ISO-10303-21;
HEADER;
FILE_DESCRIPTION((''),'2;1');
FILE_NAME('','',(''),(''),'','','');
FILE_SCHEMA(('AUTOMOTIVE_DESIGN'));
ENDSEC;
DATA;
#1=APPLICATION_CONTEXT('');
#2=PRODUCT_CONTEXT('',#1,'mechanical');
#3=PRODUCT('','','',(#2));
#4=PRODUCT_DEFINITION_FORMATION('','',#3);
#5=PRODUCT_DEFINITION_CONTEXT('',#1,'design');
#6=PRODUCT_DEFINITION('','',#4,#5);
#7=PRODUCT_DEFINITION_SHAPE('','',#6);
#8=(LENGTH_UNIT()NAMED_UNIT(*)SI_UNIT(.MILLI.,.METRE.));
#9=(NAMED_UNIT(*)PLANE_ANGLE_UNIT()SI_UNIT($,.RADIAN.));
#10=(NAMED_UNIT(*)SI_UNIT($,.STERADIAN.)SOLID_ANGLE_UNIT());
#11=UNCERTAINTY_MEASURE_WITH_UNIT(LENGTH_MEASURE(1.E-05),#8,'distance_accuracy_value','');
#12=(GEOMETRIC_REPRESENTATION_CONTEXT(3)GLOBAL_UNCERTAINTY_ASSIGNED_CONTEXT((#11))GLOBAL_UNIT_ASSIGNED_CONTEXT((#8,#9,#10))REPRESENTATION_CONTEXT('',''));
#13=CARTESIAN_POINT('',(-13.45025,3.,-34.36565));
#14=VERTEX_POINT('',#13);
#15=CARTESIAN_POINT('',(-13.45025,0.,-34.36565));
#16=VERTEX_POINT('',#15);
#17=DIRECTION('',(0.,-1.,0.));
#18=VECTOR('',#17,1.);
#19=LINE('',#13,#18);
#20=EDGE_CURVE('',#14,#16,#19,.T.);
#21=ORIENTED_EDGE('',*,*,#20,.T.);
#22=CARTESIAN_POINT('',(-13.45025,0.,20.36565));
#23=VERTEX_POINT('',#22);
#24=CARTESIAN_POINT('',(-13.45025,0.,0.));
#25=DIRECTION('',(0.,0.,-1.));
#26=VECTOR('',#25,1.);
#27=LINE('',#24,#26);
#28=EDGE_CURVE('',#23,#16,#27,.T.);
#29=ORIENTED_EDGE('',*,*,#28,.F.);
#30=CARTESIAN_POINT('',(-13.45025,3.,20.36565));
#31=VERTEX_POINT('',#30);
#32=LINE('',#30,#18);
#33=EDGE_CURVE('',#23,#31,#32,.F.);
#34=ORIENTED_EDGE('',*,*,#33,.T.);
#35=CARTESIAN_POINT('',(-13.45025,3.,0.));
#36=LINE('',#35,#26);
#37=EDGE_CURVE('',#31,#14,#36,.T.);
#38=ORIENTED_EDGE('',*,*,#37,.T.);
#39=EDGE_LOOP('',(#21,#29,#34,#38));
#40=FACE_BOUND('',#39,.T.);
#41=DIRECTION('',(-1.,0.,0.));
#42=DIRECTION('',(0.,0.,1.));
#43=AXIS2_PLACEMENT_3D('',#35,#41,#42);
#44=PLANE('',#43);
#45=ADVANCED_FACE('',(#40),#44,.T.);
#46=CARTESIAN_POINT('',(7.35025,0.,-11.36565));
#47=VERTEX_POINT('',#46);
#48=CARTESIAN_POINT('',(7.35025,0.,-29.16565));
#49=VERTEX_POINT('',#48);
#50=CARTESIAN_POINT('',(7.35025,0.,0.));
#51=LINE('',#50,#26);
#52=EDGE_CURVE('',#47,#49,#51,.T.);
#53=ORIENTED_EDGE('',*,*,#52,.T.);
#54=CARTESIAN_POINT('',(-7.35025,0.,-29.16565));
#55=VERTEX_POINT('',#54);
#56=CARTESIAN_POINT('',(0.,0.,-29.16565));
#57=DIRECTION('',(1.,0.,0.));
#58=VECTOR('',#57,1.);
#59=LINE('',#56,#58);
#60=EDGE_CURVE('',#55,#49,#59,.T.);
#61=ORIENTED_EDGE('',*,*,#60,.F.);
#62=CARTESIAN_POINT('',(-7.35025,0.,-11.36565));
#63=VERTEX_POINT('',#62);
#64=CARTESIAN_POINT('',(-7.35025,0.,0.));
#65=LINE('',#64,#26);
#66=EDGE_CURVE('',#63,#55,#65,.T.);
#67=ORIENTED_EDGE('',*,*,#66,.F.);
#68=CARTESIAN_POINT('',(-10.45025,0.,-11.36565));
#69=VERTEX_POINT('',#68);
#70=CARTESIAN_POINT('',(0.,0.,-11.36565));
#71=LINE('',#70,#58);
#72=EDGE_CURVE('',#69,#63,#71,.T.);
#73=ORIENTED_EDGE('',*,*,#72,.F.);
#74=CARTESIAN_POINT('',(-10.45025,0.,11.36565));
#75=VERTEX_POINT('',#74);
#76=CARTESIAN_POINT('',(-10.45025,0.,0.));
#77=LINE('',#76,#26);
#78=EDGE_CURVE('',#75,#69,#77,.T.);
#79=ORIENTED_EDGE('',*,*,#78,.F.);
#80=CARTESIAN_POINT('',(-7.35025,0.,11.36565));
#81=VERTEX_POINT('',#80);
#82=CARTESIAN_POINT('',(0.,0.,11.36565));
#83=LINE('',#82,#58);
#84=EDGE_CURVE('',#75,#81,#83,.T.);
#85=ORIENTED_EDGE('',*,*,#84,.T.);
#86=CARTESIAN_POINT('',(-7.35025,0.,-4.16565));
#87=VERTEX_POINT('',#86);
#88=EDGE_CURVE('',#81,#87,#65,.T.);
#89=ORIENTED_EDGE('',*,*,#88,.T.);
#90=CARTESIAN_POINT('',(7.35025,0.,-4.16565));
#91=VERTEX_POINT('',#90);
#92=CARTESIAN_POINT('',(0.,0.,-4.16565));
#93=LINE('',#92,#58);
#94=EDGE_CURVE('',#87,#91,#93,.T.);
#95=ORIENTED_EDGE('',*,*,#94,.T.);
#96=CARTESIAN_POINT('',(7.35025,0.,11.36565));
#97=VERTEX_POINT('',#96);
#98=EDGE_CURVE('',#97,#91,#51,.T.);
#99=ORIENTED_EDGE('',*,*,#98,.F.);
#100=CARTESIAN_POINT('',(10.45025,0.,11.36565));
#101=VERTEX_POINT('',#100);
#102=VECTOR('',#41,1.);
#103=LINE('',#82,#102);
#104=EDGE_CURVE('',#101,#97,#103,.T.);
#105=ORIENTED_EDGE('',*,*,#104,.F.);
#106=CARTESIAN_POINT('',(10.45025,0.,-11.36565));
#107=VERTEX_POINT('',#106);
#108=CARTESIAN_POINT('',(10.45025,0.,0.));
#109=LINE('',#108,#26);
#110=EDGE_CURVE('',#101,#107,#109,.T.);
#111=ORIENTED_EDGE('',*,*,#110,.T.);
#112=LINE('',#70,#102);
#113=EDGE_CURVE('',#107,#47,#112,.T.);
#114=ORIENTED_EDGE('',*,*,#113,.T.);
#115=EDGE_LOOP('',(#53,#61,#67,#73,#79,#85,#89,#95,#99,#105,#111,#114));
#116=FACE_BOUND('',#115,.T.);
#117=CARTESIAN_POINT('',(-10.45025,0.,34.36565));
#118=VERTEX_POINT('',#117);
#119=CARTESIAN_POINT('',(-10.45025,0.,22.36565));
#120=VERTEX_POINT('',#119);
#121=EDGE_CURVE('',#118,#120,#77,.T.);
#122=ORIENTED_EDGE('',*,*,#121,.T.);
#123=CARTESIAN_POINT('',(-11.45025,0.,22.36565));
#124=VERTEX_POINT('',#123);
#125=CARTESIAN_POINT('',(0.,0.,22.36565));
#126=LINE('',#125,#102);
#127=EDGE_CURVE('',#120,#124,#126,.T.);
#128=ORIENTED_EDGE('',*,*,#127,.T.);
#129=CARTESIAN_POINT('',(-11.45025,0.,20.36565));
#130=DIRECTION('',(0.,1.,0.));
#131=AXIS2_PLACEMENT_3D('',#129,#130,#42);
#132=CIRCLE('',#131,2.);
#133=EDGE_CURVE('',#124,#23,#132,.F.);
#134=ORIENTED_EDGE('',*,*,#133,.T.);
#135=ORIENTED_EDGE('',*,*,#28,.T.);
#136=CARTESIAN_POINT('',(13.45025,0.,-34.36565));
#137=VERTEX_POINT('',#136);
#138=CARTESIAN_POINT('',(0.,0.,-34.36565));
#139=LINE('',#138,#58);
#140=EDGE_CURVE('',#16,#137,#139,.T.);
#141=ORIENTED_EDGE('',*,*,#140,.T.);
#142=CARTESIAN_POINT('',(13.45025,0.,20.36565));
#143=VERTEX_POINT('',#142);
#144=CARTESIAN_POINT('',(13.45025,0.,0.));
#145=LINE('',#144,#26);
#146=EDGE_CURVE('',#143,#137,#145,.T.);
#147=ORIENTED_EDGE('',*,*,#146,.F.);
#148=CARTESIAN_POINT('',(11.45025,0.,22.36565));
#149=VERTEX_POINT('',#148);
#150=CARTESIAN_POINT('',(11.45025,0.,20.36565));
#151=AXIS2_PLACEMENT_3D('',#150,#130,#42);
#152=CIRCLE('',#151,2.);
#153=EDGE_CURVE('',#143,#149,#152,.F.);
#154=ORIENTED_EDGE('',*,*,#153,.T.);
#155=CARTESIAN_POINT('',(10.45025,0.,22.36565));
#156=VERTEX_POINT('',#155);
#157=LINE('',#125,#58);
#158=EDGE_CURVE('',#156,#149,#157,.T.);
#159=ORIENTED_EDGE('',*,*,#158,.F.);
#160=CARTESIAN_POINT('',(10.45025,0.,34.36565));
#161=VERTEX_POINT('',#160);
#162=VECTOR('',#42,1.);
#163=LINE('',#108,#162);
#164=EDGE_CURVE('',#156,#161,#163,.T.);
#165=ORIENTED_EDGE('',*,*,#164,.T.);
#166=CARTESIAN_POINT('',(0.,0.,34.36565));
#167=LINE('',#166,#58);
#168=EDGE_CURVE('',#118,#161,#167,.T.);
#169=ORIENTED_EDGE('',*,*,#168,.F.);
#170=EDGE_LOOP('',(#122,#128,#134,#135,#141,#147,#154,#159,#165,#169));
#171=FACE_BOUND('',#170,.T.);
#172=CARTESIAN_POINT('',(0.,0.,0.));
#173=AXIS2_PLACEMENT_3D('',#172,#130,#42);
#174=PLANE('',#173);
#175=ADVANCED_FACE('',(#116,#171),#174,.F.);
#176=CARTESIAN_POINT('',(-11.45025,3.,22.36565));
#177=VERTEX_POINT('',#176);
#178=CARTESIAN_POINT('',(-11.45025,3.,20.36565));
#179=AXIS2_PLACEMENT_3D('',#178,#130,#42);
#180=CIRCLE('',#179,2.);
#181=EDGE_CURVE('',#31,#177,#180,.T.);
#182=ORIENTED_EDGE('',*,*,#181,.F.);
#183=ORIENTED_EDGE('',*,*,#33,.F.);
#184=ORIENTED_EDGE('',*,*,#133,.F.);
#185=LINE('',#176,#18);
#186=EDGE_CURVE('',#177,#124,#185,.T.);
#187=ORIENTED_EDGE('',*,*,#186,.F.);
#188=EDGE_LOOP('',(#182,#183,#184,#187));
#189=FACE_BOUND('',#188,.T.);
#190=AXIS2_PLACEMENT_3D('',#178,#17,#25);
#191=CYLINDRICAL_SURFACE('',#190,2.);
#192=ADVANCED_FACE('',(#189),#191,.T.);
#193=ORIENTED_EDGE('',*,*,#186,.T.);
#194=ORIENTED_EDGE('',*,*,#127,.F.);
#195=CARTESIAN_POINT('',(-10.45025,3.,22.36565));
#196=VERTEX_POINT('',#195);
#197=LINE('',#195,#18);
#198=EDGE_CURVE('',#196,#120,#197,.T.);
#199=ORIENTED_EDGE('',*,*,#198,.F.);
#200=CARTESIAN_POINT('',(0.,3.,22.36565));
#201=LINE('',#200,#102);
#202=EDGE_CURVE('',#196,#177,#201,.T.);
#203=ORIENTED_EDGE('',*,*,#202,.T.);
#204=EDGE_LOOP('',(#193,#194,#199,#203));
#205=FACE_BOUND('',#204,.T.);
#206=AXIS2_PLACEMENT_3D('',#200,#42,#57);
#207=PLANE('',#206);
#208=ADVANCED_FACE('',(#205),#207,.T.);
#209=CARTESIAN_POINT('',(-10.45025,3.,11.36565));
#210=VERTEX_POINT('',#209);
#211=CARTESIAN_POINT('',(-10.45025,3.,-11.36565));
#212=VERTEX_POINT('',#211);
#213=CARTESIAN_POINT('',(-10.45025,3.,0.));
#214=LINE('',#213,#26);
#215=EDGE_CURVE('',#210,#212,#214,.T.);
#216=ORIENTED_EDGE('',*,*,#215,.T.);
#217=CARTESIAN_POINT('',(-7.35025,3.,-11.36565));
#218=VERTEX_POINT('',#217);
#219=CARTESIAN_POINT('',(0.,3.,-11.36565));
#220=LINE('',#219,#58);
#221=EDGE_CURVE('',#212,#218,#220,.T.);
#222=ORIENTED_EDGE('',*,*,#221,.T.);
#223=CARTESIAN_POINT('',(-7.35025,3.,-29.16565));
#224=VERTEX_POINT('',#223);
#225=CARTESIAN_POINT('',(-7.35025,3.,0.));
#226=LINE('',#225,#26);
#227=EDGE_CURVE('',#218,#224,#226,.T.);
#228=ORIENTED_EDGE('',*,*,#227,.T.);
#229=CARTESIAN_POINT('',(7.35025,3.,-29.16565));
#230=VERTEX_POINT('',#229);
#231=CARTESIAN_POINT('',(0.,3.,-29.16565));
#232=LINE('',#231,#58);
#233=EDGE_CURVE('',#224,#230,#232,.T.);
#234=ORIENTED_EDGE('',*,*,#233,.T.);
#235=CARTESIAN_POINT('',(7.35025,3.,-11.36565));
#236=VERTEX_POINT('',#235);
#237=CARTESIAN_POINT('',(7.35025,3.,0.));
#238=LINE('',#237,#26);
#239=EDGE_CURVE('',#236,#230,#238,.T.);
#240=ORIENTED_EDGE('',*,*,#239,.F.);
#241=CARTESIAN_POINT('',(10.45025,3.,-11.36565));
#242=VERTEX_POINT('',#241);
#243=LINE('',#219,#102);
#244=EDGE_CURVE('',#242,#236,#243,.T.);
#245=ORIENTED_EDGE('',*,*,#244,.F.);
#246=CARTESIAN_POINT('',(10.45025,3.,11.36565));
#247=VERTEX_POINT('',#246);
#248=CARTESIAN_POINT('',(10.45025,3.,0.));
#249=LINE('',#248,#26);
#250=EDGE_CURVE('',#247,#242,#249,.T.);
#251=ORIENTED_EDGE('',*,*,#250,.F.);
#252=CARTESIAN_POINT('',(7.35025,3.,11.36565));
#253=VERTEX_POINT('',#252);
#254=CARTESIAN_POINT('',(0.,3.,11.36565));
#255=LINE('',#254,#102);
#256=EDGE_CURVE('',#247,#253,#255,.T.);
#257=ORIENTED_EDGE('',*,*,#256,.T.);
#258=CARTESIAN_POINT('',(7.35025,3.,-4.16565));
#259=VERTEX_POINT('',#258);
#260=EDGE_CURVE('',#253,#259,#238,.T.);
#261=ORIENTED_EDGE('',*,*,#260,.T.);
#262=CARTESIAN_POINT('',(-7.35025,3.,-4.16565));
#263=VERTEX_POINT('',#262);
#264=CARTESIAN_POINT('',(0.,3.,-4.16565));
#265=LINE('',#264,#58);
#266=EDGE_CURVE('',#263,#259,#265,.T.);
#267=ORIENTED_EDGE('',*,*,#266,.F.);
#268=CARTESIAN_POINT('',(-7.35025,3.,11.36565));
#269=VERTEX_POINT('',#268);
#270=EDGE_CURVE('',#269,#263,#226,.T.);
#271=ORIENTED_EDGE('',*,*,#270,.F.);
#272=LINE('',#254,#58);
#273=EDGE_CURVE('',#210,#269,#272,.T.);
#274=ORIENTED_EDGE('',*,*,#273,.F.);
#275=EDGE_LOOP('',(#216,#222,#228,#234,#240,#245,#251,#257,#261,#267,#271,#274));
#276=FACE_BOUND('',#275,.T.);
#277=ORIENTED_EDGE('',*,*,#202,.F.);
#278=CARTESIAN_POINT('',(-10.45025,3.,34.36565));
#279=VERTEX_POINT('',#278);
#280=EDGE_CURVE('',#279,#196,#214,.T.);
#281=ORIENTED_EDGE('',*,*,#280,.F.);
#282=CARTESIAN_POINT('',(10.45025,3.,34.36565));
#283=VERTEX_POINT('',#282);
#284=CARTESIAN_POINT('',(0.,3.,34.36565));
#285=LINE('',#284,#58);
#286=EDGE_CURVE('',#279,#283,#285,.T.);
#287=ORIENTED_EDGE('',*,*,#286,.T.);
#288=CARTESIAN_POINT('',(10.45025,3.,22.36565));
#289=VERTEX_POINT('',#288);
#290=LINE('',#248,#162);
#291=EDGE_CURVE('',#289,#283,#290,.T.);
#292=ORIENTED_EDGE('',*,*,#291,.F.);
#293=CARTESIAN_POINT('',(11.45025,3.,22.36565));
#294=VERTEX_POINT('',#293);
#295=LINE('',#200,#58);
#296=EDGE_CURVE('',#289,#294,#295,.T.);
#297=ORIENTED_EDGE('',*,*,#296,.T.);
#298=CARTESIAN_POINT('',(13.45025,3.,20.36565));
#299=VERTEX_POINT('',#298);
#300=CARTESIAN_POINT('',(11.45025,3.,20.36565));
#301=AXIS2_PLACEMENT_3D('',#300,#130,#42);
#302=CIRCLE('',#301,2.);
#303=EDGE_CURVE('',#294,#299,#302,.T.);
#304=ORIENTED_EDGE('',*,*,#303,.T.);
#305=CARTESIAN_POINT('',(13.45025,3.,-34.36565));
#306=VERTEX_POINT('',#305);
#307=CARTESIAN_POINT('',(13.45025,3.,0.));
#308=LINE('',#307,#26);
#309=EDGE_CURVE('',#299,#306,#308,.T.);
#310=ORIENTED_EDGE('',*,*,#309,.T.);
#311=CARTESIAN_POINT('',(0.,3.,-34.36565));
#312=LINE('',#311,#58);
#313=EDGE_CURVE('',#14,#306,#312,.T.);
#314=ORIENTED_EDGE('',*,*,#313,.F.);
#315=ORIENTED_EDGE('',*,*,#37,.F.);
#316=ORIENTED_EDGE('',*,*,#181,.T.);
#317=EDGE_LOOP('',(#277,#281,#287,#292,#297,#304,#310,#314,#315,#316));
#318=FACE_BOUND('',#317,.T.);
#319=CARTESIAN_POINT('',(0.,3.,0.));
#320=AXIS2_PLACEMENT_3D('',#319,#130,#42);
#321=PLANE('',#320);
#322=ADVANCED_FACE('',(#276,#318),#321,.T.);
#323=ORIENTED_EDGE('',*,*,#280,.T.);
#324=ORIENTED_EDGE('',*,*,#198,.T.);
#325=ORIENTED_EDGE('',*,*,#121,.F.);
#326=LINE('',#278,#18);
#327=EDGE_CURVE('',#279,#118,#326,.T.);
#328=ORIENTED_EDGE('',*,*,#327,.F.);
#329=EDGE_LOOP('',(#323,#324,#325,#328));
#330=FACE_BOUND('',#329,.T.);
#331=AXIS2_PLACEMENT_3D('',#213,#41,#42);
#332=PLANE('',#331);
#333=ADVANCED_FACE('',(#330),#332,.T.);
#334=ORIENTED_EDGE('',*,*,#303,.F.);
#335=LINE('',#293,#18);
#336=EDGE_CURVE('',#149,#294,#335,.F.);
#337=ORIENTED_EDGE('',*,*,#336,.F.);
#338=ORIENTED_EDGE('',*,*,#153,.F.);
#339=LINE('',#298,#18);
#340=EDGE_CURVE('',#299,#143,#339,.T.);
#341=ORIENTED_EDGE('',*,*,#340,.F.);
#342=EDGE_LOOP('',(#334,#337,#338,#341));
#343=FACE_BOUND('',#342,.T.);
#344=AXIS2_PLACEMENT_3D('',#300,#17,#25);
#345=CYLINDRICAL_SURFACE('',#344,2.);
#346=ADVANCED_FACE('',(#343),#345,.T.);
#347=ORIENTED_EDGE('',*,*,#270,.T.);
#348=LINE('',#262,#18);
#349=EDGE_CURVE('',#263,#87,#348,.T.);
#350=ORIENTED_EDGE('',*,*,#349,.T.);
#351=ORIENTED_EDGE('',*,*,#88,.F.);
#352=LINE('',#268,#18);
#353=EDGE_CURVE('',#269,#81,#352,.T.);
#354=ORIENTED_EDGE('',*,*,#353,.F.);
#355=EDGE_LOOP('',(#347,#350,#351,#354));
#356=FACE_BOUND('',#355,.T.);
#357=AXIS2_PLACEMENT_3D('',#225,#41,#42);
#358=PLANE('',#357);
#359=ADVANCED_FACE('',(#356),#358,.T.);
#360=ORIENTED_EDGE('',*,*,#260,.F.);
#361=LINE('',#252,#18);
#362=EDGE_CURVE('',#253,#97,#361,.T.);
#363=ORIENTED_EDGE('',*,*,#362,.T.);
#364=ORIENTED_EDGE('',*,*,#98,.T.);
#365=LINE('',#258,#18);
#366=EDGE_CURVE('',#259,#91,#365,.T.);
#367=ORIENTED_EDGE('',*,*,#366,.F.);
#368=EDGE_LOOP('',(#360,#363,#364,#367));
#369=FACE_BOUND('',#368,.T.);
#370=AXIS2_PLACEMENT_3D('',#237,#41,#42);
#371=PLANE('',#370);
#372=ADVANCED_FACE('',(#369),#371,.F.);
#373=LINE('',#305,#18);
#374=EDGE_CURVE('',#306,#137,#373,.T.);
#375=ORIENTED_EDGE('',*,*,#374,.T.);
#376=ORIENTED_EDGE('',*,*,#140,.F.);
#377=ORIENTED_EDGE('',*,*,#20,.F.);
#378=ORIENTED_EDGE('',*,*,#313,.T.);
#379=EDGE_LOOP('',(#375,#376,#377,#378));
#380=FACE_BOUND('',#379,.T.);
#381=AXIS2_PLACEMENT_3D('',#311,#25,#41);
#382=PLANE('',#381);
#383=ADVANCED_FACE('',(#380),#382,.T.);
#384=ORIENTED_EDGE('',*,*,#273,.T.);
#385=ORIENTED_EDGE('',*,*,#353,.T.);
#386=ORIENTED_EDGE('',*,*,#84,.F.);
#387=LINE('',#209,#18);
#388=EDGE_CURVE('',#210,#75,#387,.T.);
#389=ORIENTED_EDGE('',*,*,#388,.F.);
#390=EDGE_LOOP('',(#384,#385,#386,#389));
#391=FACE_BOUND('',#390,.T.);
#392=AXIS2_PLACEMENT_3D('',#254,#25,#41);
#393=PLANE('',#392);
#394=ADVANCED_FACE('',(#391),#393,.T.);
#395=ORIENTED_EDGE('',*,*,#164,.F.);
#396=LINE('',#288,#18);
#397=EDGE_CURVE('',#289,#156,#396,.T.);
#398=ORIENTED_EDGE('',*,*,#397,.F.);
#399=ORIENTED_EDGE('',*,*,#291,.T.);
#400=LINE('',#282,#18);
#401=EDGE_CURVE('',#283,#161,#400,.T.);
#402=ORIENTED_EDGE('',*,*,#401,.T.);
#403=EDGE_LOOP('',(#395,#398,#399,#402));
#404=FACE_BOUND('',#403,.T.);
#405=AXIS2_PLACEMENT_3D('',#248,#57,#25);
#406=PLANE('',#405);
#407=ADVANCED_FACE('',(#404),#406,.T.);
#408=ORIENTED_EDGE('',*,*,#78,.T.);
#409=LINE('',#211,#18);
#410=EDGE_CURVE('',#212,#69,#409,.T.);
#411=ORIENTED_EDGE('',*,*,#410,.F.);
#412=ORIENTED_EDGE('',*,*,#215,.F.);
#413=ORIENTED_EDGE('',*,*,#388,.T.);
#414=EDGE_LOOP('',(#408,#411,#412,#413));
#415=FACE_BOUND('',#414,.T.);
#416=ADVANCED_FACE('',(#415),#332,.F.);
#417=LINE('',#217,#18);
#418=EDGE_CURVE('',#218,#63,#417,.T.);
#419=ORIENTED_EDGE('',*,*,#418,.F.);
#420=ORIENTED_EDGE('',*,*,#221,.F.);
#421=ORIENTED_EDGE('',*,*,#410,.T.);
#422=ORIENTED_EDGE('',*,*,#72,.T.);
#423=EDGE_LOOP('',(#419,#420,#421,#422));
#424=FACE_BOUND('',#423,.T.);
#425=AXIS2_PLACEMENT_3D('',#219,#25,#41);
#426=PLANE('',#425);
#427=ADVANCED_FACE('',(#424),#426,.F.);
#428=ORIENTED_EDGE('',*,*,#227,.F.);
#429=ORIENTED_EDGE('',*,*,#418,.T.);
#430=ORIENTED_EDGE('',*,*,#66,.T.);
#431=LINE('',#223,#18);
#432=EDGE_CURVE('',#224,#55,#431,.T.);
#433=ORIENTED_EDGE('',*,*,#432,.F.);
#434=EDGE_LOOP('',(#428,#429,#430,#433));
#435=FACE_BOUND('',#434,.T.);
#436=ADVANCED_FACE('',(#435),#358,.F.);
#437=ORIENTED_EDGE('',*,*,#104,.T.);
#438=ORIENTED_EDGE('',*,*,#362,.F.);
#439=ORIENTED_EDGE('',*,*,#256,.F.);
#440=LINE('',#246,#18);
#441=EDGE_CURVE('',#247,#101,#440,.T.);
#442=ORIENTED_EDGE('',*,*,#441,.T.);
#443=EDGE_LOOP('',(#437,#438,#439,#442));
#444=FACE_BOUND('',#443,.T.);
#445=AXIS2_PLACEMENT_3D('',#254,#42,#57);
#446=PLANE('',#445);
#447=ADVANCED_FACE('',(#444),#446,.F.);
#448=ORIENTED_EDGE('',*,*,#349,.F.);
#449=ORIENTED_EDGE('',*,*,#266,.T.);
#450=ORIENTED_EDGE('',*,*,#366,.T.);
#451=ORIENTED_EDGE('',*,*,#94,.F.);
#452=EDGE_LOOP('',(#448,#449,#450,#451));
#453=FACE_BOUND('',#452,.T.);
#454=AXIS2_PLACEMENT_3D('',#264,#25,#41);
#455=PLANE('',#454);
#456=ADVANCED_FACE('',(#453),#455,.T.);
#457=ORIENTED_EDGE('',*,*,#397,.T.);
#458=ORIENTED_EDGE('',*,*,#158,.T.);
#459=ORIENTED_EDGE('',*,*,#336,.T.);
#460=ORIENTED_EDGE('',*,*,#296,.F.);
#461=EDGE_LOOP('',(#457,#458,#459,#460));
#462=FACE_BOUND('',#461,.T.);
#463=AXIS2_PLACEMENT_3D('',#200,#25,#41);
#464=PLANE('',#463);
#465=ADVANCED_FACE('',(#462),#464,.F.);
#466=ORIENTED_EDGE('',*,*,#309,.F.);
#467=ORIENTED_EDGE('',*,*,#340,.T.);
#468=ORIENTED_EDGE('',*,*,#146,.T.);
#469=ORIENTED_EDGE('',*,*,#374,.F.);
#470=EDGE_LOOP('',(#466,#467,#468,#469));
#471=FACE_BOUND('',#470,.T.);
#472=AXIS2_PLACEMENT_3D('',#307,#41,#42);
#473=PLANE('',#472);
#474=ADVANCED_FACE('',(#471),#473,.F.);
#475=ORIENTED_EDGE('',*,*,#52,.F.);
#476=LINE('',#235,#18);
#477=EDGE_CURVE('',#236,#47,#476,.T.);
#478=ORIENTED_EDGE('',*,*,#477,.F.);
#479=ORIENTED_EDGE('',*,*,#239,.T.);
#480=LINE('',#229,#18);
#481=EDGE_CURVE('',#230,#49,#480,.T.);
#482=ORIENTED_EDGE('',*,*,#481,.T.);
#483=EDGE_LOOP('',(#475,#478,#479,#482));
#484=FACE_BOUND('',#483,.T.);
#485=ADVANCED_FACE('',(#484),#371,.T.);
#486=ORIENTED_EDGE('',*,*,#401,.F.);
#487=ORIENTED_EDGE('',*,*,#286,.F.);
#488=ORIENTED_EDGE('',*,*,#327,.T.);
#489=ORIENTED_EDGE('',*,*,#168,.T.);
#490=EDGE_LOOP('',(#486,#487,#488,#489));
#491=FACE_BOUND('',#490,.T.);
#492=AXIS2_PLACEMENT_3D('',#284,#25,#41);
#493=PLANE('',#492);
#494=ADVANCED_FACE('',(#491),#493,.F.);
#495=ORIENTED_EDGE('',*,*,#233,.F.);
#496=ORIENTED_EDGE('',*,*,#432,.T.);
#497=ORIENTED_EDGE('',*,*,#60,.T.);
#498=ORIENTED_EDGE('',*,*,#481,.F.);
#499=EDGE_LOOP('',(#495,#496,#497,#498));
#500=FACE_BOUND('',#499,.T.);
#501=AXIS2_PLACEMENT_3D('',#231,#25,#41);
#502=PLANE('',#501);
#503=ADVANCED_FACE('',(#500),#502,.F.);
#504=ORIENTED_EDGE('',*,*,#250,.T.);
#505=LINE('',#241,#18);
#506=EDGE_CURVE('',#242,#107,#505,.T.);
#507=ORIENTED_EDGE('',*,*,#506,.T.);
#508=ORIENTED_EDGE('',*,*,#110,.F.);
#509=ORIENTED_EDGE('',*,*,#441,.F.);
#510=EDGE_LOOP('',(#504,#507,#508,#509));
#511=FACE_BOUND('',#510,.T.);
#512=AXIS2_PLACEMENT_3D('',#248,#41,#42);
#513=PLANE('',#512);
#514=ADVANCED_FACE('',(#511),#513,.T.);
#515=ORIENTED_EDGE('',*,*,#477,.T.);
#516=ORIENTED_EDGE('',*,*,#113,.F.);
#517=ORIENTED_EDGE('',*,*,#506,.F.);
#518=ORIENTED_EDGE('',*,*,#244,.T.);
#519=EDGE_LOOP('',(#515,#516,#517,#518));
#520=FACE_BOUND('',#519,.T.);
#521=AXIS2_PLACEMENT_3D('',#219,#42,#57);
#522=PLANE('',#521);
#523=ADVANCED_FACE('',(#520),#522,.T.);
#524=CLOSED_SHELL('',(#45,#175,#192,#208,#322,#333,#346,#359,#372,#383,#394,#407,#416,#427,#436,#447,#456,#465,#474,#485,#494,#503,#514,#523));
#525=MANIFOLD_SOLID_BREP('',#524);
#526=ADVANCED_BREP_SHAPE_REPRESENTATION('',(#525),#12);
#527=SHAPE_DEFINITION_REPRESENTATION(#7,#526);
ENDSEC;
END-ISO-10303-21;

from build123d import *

# Parameters (mm, degrees)
BOSS_EXTRUDE1_DEPTH = 3
FILLET1_R           = 2


with BuildPart() as part:
    # Sketch1 → Boss-Extrude1 (new body)
    with BuildSketch(Plane(origin=(0, 0, 0), x_dir=(1, 0, 0), z_dir=(0, 1, 0))):
        Polygon((-10.45025, -22.36565), (-10.45025, -34.36565), (10.45025, -34.36565), (10.45025, -22.36565), (13.45025, -22.36565), (13.45025, 34.36565), (-13.45025, 34.36565), (-13.45025, -22.36565), align=None)
        Polygon((-7.35025, -11.36565), (-10.45025, -11.36565), (-10.45025, 11.36565), (-7.35025, 11.36565), (-7.35025, 29.16565), (7.35025, 29.16565), (7.35025, 11.36565), (10.45025, 11.36565), (10.45025, -11.36565), (7.35025, -11.36565), (7.35025, 4.16565), (-7.35025, 4.16565), align=None, mode=Mode.SUBTRACT)
    extrude(amount=BOSS_EXTRUDE1_DEPTH)

    # Fillet1
    fillet1_edges = [part.edges().sort_by_distance(p)[0] for p in [
        (-13.45025, 1.5, 22.36565),
        (13.45025, 1.5, 22.36565),
    ]]
    fillet(fillet1_edges, radius=FILLET1_R)


solid = part.part
